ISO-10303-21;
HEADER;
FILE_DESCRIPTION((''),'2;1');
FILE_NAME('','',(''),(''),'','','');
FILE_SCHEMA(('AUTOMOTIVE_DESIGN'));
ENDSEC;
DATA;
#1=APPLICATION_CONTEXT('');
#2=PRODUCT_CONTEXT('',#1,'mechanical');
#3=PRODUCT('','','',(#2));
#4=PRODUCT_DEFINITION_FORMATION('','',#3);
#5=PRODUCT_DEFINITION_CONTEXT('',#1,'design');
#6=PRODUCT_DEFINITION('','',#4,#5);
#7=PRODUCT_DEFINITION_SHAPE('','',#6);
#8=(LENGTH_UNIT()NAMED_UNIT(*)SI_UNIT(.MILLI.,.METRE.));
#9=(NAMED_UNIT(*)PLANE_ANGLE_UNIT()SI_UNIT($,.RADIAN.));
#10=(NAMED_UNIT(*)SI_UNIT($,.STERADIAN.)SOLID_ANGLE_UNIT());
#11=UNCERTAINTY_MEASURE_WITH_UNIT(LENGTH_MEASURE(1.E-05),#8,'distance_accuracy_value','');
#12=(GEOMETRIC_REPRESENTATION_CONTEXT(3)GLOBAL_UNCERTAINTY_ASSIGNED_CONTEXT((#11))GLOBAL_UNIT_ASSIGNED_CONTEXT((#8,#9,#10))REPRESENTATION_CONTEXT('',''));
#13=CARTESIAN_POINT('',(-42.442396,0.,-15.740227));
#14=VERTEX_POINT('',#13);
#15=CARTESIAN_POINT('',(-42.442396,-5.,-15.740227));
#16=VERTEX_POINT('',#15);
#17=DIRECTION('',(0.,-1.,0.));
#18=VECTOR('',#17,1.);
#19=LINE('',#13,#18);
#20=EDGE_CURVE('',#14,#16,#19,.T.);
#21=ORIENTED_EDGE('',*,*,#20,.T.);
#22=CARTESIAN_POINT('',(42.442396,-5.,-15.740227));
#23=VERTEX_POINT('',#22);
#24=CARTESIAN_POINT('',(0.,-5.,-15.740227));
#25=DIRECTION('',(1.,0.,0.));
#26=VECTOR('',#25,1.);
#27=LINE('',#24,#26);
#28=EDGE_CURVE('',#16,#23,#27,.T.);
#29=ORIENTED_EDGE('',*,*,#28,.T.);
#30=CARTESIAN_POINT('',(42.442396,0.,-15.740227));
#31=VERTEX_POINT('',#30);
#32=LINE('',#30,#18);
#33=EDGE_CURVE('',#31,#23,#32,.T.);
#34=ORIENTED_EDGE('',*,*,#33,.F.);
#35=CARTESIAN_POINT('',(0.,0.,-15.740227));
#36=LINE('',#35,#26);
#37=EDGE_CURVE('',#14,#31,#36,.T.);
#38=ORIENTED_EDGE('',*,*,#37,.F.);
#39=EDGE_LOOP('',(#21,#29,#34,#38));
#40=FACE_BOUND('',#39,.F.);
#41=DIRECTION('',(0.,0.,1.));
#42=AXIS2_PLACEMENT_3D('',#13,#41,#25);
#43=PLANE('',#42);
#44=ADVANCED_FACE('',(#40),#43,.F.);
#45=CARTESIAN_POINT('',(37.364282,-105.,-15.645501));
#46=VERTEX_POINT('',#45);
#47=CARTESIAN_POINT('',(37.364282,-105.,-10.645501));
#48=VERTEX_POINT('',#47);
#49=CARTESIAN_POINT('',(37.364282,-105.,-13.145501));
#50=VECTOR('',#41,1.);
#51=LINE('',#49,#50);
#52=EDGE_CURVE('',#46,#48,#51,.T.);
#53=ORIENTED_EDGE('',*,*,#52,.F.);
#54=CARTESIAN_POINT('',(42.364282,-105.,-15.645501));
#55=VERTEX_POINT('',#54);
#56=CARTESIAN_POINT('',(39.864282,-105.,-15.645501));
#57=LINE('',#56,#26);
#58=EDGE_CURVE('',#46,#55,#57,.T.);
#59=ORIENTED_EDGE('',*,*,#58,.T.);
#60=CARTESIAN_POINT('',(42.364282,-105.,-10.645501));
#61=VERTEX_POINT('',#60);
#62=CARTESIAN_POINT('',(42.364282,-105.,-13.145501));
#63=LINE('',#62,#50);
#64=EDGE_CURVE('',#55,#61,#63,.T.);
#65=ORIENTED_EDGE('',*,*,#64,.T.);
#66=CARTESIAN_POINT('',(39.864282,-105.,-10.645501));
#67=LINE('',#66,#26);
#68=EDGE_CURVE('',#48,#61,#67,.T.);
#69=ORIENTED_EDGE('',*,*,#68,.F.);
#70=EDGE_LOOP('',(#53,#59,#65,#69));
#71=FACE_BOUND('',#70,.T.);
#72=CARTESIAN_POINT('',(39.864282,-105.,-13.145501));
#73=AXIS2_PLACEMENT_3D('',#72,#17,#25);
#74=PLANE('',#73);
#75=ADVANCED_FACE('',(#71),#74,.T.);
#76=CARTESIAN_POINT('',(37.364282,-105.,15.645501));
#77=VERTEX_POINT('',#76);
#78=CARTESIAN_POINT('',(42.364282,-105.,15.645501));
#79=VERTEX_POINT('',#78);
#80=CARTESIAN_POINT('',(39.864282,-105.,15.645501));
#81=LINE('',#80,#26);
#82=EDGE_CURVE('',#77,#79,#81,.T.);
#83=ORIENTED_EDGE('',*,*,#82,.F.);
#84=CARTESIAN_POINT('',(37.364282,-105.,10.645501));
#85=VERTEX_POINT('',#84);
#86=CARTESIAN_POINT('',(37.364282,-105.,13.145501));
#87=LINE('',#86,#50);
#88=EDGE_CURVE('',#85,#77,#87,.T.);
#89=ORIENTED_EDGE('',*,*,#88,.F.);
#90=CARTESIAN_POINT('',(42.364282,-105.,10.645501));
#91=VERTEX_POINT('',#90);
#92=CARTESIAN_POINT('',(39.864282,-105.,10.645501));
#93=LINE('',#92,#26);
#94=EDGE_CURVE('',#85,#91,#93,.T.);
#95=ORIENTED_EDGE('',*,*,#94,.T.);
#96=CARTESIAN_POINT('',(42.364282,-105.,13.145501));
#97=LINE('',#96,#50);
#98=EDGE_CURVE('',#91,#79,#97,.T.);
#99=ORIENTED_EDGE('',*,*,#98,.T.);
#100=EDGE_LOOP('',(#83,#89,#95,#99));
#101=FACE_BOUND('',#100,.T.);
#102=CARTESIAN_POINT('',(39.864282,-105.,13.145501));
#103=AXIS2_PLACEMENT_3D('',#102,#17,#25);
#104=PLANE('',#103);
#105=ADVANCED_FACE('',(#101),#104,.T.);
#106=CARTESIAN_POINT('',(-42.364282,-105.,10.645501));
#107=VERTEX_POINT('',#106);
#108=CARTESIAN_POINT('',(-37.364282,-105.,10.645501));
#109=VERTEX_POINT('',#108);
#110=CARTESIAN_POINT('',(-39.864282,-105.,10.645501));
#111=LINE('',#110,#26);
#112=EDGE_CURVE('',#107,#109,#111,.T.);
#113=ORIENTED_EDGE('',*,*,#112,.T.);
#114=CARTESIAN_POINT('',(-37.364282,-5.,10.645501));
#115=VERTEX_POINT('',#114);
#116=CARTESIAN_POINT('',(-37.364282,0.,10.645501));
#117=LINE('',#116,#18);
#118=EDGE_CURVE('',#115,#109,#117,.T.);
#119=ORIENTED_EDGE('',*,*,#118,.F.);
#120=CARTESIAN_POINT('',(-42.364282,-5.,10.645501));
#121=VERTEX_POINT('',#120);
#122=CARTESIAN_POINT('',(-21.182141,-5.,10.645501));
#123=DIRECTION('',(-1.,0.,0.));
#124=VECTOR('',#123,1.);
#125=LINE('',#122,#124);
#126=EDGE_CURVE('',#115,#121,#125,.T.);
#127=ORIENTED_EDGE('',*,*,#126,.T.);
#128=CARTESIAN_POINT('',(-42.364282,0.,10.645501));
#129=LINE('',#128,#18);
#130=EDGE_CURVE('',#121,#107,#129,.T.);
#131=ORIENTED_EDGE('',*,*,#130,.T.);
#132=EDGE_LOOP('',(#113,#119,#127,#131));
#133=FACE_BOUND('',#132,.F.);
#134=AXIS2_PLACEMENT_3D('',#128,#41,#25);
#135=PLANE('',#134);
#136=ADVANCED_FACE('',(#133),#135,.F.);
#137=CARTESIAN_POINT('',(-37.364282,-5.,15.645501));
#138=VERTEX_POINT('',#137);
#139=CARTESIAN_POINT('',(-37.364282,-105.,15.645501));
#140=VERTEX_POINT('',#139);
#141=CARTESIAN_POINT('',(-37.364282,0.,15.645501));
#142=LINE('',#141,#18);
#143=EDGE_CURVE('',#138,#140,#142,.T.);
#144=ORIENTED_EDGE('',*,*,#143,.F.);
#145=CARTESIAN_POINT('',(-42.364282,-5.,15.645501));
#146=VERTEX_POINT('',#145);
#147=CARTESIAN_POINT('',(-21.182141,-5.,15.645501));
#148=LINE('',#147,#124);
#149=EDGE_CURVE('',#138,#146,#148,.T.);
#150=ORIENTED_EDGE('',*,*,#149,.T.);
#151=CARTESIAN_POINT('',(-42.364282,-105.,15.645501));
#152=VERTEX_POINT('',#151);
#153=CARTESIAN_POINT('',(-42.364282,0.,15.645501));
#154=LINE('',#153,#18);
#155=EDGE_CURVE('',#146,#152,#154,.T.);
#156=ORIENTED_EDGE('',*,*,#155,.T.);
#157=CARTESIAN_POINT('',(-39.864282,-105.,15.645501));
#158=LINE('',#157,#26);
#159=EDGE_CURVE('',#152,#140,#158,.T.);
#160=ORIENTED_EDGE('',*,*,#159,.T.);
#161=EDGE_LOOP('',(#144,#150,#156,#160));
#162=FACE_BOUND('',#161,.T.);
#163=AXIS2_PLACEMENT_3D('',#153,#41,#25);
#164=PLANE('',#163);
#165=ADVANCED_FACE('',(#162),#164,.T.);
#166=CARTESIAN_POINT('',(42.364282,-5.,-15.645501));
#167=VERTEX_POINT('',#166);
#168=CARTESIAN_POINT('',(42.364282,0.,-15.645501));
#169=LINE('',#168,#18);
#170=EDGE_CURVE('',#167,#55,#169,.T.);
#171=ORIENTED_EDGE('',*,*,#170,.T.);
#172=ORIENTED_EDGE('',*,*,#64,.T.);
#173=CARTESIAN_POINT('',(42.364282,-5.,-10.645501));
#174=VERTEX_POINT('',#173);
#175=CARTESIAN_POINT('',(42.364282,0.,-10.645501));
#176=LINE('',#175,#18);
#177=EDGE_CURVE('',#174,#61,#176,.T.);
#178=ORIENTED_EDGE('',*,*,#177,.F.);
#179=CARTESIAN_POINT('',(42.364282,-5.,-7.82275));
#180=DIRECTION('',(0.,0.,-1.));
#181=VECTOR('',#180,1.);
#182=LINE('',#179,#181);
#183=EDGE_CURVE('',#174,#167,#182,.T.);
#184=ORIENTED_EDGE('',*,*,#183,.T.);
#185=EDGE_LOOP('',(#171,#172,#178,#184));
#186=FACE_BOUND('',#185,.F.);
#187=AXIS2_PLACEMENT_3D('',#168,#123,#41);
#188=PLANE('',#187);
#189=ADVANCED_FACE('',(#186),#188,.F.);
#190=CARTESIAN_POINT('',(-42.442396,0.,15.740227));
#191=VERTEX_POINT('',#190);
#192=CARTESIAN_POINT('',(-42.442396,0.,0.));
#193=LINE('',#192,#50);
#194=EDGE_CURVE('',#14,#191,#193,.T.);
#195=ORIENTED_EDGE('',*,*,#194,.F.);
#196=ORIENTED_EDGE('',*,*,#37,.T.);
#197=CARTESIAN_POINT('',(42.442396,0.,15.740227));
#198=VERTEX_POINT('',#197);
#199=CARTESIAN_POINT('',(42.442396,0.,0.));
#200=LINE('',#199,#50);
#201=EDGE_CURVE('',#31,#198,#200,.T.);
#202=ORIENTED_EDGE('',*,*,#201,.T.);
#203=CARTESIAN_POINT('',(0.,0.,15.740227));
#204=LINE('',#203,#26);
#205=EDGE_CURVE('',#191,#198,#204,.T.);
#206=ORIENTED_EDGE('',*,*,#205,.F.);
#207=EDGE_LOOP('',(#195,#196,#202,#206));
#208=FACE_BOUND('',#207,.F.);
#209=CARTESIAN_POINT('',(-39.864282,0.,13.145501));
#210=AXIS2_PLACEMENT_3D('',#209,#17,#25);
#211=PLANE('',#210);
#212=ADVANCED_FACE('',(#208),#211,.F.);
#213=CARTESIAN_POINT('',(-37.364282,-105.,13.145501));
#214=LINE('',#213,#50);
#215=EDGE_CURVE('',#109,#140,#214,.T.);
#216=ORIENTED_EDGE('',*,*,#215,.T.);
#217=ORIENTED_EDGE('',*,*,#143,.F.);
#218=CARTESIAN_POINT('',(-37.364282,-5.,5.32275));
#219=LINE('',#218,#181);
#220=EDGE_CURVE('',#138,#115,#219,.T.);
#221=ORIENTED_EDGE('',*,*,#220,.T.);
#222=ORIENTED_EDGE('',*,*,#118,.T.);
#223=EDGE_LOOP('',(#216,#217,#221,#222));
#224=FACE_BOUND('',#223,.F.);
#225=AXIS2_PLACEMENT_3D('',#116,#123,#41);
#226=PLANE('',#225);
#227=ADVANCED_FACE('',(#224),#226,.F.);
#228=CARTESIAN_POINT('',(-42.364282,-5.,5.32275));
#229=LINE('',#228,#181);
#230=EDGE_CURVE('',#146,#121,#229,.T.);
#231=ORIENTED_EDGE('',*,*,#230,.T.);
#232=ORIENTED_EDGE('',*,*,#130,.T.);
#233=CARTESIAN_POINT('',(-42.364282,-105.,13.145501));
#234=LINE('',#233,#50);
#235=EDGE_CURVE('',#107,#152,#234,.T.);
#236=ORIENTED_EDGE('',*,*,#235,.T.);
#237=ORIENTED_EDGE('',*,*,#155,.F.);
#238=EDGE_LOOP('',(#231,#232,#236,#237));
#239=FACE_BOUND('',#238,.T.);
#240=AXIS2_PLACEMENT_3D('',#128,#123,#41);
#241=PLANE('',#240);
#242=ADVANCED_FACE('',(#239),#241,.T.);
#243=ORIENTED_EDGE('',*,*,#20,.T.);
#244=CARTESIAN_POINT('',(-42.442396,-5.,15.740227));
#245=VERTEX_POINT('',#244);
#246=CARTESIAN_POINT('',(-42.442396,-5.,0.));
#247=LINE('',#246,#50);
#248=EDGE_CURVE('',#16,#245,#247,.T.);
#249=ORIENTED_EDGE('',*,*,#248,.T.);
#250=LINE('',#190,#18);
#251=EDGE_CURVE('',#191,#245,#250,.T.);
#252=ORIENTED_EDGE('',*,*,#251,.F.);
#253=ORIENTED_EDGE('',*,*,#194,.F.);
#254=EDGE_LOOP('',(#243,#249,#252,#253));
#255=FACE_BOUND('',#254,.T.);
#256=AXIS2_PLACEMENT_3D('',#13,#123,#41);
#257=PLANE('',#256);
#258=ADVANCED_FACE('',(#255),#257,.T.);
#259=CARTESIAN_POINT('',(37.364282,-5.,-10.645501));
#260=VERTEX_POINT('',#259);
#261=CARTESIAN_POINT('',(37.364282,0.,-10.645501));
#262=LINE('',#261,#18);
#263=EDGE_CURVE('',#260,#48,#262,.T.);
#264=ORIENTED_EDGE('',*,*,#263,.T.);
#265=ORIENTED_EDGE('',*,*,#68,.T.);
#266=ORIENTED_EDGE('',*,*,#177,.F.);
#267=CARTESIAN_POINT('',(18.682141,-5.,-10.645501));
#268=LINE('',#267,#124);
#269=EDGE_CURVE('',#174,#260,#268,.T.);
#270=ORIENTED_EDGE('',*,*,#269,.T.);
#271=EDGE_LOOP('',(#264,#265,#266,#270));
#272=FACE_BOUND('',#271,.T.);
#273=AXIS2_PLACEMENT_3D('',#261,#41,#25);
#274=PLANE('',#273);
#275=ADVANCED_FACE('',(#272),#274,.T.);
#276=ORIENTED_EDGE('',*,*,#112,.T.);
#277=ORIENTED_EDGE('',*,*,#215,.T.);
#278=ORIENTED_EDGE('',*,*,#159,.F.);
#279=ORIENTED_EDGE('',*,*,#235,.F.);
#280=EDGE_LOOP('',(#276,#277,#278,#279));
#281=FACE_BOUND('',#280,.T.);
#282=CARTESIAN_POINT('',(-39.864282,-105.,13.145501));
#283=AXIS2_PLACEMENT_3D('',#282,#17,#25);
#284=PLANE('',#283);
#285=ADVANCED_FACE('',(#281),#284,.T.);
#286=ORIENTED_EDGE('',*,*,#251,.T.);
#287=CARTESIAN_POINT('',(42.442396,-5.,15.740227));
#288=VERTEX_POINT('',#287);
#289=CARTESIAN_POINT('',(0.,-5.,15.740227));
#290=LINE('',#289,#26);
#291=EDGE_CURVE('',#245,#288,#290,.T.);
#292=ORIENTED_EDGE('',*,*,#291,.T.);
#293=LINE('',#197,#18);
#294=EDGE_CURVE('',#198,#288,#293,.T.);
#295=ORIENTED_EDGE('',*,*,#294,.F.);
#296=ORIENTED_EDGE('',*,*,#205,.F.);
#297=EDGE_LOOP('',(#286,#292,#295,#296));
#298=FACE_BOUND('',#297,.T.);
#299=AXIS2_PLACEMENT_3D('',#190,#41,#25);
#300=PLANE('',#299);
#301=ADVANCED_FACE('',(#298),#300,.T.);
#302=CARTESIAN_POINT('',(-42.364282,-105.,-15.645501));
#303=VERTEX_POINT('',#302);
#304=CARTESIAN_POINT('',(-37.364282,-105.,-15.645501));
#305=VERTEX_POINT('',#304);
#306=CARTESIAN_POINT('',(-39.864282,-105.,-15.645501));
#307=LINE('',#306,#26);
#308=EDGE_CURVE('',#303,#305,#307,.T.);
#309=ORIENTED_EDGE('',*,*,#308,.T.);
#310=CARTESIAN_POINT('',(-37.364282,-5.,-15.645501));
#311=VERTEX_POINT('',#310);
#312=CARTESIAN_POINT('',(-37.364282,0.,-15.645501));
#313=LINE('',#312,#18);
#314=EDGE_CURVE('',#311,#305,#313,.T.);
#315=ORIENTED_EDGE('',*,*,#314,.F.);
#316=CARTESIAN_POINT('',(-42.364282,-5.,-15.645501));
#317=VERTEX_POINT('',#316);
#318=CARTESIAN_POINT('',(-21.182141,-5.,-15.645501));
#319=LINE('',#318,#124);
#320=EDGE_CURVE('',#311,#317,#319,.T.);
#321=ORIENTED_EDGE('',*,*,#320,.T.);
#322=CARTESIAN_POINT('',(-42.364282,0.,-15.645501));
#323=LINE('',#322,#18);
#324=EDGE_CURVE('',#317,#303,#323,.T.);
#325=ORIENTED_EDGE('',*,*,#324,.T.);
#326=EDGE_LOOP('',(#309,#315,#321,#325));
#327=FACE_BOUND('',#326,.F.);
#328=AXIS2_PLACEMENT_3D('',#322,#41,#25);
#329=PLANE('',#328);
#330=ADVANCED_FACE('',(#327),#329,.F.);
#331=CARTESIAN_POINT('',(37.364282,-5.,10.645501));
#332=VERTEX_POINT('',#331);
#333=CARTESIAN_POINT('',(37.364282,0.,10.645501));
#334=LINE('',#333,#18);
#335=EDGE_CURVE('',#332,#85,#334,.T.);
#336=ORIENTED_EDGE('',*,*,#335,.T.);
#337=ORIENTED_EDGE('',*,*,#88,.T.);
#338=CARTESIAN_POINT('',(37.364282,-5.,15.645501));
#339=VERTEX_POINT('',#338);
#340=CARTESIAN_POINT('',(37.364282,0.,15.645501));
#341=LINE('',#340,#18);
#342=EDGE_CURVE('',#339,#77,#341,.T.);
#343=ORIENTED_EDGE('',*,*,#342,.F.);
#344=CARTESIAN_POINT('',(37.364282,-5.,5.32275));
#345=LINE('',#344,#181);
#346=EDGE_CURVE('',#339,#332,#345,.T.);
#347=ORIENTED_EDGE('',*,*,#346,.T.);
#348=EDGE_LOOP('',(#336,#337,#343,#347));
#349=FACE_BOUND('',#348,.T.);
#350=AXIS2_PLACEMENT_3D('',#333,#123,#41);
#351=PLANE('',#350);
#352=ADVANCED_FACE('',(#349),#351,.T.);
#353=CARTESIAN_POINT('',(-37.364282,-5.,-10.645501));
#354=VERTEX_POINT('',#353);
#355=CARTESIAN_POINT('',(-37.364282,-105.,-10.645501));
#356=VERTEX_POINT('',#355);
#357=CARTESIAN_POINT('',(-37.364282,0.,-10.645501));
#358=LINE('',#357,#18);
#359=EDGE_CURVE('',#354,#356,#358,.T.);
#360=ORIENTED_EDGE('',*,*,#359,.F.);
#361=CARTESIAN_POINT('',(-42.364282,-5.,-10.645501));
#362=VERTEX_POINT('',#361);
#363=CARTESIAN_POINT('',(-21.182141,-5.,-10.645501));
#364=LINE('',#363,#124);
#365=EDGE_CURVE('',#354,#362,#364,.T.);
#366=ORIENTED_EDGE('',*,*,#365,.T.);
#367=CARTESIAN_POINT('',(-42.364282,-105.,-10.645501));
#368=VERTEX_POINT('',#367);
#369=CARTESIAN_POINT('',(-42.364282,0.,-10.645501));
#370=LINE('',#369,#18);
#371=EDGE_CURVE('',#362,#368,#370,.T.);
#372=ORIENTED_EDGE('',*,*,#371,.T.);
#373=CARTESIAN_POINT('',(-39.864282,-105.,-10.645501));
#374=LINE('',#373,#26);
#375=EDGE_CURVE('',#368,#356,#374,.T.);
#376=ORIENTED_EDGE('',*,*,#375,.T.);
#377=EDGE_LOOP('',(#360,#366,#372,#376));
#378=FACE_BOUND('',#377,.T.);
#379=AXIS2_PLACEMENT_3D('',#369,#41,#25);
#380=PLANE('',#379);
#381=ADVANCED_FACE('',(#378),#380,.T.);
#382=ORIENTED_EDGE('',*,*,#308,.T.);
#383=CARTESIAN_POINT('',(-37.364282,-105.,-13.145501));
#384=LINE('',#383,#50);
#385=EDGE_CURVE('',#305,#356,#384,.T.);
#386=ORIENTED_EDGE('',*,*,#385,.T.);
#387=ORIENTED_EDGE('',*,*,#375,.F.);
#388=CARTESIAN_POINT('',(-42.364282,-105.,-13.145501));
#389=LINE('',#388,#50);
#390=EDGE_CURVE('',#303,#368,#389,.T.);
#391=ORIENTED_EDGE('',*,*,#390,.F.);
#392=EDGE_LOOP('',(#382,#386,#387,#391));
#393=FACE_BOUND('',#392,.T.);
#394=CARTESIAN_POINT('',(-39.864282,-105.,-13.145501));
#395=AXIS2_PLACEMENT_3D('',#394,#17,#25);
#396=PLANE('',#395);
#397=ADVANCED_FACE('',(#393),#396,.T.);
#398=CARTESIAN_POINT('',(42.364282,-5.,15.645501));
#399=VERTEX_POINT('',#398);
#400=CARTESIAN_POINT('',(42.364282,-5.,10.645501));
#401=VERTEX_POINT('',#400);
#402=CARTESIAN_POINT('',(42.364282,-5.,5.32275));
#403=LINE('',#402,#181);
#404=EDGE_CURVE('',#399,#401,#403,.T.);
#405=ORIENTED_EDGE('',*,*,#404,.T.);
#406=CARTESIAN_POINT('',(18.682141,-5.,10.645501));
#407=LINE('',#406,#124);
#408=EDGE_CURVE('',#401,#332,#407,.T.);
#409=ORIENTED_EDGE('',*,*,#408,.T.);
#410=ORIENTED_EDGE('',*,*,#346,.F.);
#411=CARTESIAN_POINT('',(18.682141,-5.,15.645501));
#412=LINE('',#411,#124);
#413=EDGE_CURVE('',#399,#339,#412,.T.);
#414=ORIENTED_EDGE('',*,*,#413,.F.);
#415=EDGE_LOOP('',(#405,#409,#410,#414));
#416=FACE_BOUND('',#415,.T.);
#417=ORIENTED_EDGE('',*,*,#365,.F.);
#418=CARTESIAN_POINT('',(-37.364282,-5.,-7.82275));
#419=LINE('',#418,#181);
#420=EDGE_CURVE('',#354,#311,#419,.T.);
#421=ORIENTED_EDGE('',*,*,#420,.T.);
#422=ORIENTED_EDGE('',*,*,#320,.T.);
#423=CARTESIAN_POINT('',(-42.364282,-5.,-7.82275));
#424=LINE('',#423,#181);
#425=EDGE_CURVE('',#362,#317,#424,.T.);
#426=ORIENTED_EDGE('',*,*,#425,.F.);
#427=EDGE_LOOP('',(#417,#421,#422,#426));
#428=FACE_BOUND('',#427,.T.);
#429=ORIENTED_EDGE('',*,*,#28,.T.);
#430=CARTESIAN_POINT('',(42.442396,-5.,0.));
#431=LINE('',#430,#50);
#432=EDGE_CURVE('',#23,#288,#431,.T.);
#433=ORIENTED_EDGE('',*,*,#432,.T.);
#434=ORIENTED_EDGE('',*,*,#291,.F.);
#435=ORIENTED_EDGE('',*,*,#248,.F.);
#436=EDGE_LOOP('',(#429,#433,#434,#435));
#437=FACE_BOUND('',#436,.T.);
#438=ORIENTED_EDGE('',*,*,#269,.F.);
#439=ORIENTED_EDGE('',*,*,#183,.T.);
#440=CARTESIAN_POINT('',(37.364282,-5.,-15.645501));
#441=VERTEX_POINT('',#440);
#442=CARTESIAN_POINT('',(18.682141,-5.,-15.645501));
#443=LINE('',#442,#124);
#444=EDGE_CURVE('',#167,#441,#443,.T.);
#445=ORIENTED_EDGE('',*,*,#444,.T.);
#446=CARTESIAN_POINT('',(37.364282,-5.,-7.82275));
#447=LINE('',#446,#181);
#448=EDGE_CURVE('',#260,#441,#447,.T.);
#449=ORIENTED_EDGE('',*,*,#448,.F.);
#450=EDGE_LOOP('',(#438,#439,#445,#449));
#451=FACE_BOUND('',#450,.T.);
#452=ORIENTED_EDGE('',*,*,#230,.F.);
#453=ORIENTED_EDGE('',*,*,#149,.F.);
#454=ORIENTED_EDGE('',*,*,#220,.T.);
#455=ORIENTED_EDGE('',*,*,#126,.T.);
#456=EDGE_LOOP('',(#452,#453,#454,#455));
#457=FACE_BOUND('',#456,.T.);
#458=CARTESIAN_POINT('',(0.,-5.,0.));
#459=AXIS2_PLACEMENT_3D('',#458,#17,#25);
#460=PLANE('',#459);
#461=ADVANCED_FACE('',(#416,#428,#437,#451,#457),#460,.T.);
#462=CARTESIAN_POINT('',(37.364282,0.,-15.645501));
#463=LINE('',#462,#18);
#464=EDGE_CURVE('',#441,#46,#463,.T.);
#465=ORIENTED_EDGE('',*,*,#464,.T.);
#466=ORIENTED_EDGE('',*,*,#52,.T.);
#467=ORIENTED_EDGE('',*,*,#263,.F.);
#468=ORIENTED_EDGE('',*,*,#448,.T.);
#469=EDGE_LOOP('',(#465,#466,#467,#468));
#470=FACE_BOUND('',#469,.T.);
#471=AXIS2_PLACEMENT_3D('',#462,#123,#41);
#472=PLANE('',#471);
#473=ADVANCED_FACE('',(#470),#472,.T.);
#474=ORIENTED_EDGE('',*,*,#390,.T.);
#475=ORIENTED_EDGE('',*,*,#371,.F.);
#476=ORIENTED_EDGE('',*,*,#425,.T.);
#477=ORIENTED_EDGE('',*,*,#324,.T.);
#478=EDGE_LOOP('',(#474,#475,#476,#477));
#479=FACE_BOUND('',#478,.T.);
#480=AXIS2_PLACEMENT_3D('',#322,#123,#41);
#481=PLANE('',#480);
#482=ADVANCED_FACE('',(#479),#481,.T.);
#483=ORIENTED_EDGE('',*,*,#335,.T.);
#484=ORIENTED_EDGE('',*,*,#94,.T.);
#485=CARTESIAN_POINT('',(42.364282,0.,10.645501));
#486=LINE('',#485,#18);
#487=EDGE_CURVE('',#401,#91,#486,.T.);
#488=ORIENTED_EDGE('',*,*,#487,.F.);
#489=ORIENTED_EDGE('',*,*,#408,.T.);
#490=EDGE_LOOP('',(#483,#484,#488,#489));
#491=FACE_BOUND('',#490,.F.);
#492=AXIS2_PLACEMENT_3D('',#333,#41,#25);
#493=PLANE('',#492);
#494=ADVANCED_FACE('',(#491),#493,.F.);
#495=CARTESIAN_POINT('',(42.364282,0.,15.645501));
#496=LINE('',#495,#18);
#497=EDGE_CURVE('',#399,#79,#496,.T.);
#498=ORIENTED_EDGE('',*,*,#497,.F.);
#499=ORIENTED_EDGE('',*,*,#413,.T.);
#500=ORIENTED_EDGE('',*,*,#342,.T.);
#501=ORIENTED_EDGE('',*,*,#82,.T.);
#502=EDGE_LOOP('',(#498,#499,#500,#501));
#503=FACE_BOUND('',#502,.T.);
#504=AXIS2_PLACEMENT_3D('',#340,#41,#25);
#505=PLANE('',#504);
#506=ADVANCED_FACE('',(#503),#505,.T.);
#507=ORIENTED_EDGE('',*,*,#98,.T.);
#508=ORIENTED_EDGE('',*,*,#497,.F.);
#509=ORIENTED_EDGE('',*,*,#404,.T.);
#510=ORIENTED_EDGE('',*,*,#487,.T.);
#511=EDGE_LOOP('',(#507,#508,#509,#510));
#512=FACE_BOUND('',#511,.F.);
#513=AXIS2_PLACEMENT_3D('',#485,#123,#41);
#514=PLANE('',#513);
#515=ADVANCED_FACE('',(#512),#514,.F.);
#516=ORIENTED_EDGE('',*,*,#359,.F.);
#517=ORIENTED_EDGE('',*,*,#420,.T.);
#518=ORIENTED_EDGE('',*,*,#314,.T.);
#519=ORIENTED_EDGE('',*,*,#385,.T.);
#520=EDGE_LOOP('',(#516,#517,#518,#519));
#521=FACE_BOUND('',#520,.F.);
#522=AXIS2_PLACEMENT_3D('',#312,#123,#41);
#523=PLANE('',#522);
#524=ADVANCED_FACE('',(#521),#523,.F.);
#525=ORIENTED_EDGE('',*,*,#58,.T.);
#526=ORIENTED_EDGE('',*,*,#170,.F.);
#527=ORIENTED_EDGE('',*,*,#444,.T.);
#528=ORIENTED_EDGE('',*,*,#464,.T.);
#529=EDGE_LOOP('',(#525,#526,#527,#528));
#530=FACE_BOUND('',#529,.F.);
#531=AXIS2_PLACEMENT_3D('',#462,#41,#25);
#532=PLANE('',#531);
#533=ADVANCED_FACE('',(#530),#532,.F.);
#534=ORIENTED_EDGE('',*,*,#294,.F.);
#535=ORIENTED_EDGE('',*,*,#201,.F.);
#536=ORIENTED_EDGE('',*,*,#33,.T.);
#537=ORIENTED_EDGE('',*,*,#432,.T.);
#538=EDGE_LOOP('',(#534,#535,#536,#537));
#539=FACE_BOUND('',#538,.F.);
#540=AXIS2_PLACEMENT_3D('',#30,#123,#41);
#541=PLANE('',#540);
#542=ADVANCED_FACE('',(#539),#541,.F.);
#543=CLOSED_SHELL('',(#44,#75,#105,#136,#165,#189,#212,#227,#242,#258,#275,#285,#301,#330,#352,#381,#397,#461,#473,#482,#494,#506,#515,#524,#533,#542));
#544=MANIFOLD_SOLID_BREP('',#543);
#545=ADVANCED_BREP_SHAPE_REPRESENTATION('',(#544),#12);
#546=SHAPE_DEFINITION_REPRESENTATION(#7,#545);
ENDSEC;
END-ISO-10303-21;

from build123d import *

# Parameters (mm, degrees)
F0_W     = 84.884792
F0_H     = 31.480454
F1_DEPTH = 5
F2_W     = 5
F2_H     = 5
F3_DEPTH = 105


with BuildPart() as f1:
    # F0 (on Front) → F1 (new body)
    with BuildSketch(Plane.XZ):
        Rectangle(F0_W, F0_H)
    extrude(amount=F1_DEPTH)

    # F2 (on Front) → F3 (join)
    with BuildSketch(Plane.XZ):
        with Locations((-39.864282, 13.145501)):
            Rectangle(F2_W, F2_H)
        with Locations((39.864282, 13.145501)):
            Rectangle(F2_W, F2_H)
        with Locations((39.864282, -13.145501)):
            Rectangle(F2_W, F2_H)
        with Locations((-39.864282, -13.145501)):
            Rectangle(F2_W, F2_H)
    extrude(amount=F3_DEPTH)


solid = f1.part
